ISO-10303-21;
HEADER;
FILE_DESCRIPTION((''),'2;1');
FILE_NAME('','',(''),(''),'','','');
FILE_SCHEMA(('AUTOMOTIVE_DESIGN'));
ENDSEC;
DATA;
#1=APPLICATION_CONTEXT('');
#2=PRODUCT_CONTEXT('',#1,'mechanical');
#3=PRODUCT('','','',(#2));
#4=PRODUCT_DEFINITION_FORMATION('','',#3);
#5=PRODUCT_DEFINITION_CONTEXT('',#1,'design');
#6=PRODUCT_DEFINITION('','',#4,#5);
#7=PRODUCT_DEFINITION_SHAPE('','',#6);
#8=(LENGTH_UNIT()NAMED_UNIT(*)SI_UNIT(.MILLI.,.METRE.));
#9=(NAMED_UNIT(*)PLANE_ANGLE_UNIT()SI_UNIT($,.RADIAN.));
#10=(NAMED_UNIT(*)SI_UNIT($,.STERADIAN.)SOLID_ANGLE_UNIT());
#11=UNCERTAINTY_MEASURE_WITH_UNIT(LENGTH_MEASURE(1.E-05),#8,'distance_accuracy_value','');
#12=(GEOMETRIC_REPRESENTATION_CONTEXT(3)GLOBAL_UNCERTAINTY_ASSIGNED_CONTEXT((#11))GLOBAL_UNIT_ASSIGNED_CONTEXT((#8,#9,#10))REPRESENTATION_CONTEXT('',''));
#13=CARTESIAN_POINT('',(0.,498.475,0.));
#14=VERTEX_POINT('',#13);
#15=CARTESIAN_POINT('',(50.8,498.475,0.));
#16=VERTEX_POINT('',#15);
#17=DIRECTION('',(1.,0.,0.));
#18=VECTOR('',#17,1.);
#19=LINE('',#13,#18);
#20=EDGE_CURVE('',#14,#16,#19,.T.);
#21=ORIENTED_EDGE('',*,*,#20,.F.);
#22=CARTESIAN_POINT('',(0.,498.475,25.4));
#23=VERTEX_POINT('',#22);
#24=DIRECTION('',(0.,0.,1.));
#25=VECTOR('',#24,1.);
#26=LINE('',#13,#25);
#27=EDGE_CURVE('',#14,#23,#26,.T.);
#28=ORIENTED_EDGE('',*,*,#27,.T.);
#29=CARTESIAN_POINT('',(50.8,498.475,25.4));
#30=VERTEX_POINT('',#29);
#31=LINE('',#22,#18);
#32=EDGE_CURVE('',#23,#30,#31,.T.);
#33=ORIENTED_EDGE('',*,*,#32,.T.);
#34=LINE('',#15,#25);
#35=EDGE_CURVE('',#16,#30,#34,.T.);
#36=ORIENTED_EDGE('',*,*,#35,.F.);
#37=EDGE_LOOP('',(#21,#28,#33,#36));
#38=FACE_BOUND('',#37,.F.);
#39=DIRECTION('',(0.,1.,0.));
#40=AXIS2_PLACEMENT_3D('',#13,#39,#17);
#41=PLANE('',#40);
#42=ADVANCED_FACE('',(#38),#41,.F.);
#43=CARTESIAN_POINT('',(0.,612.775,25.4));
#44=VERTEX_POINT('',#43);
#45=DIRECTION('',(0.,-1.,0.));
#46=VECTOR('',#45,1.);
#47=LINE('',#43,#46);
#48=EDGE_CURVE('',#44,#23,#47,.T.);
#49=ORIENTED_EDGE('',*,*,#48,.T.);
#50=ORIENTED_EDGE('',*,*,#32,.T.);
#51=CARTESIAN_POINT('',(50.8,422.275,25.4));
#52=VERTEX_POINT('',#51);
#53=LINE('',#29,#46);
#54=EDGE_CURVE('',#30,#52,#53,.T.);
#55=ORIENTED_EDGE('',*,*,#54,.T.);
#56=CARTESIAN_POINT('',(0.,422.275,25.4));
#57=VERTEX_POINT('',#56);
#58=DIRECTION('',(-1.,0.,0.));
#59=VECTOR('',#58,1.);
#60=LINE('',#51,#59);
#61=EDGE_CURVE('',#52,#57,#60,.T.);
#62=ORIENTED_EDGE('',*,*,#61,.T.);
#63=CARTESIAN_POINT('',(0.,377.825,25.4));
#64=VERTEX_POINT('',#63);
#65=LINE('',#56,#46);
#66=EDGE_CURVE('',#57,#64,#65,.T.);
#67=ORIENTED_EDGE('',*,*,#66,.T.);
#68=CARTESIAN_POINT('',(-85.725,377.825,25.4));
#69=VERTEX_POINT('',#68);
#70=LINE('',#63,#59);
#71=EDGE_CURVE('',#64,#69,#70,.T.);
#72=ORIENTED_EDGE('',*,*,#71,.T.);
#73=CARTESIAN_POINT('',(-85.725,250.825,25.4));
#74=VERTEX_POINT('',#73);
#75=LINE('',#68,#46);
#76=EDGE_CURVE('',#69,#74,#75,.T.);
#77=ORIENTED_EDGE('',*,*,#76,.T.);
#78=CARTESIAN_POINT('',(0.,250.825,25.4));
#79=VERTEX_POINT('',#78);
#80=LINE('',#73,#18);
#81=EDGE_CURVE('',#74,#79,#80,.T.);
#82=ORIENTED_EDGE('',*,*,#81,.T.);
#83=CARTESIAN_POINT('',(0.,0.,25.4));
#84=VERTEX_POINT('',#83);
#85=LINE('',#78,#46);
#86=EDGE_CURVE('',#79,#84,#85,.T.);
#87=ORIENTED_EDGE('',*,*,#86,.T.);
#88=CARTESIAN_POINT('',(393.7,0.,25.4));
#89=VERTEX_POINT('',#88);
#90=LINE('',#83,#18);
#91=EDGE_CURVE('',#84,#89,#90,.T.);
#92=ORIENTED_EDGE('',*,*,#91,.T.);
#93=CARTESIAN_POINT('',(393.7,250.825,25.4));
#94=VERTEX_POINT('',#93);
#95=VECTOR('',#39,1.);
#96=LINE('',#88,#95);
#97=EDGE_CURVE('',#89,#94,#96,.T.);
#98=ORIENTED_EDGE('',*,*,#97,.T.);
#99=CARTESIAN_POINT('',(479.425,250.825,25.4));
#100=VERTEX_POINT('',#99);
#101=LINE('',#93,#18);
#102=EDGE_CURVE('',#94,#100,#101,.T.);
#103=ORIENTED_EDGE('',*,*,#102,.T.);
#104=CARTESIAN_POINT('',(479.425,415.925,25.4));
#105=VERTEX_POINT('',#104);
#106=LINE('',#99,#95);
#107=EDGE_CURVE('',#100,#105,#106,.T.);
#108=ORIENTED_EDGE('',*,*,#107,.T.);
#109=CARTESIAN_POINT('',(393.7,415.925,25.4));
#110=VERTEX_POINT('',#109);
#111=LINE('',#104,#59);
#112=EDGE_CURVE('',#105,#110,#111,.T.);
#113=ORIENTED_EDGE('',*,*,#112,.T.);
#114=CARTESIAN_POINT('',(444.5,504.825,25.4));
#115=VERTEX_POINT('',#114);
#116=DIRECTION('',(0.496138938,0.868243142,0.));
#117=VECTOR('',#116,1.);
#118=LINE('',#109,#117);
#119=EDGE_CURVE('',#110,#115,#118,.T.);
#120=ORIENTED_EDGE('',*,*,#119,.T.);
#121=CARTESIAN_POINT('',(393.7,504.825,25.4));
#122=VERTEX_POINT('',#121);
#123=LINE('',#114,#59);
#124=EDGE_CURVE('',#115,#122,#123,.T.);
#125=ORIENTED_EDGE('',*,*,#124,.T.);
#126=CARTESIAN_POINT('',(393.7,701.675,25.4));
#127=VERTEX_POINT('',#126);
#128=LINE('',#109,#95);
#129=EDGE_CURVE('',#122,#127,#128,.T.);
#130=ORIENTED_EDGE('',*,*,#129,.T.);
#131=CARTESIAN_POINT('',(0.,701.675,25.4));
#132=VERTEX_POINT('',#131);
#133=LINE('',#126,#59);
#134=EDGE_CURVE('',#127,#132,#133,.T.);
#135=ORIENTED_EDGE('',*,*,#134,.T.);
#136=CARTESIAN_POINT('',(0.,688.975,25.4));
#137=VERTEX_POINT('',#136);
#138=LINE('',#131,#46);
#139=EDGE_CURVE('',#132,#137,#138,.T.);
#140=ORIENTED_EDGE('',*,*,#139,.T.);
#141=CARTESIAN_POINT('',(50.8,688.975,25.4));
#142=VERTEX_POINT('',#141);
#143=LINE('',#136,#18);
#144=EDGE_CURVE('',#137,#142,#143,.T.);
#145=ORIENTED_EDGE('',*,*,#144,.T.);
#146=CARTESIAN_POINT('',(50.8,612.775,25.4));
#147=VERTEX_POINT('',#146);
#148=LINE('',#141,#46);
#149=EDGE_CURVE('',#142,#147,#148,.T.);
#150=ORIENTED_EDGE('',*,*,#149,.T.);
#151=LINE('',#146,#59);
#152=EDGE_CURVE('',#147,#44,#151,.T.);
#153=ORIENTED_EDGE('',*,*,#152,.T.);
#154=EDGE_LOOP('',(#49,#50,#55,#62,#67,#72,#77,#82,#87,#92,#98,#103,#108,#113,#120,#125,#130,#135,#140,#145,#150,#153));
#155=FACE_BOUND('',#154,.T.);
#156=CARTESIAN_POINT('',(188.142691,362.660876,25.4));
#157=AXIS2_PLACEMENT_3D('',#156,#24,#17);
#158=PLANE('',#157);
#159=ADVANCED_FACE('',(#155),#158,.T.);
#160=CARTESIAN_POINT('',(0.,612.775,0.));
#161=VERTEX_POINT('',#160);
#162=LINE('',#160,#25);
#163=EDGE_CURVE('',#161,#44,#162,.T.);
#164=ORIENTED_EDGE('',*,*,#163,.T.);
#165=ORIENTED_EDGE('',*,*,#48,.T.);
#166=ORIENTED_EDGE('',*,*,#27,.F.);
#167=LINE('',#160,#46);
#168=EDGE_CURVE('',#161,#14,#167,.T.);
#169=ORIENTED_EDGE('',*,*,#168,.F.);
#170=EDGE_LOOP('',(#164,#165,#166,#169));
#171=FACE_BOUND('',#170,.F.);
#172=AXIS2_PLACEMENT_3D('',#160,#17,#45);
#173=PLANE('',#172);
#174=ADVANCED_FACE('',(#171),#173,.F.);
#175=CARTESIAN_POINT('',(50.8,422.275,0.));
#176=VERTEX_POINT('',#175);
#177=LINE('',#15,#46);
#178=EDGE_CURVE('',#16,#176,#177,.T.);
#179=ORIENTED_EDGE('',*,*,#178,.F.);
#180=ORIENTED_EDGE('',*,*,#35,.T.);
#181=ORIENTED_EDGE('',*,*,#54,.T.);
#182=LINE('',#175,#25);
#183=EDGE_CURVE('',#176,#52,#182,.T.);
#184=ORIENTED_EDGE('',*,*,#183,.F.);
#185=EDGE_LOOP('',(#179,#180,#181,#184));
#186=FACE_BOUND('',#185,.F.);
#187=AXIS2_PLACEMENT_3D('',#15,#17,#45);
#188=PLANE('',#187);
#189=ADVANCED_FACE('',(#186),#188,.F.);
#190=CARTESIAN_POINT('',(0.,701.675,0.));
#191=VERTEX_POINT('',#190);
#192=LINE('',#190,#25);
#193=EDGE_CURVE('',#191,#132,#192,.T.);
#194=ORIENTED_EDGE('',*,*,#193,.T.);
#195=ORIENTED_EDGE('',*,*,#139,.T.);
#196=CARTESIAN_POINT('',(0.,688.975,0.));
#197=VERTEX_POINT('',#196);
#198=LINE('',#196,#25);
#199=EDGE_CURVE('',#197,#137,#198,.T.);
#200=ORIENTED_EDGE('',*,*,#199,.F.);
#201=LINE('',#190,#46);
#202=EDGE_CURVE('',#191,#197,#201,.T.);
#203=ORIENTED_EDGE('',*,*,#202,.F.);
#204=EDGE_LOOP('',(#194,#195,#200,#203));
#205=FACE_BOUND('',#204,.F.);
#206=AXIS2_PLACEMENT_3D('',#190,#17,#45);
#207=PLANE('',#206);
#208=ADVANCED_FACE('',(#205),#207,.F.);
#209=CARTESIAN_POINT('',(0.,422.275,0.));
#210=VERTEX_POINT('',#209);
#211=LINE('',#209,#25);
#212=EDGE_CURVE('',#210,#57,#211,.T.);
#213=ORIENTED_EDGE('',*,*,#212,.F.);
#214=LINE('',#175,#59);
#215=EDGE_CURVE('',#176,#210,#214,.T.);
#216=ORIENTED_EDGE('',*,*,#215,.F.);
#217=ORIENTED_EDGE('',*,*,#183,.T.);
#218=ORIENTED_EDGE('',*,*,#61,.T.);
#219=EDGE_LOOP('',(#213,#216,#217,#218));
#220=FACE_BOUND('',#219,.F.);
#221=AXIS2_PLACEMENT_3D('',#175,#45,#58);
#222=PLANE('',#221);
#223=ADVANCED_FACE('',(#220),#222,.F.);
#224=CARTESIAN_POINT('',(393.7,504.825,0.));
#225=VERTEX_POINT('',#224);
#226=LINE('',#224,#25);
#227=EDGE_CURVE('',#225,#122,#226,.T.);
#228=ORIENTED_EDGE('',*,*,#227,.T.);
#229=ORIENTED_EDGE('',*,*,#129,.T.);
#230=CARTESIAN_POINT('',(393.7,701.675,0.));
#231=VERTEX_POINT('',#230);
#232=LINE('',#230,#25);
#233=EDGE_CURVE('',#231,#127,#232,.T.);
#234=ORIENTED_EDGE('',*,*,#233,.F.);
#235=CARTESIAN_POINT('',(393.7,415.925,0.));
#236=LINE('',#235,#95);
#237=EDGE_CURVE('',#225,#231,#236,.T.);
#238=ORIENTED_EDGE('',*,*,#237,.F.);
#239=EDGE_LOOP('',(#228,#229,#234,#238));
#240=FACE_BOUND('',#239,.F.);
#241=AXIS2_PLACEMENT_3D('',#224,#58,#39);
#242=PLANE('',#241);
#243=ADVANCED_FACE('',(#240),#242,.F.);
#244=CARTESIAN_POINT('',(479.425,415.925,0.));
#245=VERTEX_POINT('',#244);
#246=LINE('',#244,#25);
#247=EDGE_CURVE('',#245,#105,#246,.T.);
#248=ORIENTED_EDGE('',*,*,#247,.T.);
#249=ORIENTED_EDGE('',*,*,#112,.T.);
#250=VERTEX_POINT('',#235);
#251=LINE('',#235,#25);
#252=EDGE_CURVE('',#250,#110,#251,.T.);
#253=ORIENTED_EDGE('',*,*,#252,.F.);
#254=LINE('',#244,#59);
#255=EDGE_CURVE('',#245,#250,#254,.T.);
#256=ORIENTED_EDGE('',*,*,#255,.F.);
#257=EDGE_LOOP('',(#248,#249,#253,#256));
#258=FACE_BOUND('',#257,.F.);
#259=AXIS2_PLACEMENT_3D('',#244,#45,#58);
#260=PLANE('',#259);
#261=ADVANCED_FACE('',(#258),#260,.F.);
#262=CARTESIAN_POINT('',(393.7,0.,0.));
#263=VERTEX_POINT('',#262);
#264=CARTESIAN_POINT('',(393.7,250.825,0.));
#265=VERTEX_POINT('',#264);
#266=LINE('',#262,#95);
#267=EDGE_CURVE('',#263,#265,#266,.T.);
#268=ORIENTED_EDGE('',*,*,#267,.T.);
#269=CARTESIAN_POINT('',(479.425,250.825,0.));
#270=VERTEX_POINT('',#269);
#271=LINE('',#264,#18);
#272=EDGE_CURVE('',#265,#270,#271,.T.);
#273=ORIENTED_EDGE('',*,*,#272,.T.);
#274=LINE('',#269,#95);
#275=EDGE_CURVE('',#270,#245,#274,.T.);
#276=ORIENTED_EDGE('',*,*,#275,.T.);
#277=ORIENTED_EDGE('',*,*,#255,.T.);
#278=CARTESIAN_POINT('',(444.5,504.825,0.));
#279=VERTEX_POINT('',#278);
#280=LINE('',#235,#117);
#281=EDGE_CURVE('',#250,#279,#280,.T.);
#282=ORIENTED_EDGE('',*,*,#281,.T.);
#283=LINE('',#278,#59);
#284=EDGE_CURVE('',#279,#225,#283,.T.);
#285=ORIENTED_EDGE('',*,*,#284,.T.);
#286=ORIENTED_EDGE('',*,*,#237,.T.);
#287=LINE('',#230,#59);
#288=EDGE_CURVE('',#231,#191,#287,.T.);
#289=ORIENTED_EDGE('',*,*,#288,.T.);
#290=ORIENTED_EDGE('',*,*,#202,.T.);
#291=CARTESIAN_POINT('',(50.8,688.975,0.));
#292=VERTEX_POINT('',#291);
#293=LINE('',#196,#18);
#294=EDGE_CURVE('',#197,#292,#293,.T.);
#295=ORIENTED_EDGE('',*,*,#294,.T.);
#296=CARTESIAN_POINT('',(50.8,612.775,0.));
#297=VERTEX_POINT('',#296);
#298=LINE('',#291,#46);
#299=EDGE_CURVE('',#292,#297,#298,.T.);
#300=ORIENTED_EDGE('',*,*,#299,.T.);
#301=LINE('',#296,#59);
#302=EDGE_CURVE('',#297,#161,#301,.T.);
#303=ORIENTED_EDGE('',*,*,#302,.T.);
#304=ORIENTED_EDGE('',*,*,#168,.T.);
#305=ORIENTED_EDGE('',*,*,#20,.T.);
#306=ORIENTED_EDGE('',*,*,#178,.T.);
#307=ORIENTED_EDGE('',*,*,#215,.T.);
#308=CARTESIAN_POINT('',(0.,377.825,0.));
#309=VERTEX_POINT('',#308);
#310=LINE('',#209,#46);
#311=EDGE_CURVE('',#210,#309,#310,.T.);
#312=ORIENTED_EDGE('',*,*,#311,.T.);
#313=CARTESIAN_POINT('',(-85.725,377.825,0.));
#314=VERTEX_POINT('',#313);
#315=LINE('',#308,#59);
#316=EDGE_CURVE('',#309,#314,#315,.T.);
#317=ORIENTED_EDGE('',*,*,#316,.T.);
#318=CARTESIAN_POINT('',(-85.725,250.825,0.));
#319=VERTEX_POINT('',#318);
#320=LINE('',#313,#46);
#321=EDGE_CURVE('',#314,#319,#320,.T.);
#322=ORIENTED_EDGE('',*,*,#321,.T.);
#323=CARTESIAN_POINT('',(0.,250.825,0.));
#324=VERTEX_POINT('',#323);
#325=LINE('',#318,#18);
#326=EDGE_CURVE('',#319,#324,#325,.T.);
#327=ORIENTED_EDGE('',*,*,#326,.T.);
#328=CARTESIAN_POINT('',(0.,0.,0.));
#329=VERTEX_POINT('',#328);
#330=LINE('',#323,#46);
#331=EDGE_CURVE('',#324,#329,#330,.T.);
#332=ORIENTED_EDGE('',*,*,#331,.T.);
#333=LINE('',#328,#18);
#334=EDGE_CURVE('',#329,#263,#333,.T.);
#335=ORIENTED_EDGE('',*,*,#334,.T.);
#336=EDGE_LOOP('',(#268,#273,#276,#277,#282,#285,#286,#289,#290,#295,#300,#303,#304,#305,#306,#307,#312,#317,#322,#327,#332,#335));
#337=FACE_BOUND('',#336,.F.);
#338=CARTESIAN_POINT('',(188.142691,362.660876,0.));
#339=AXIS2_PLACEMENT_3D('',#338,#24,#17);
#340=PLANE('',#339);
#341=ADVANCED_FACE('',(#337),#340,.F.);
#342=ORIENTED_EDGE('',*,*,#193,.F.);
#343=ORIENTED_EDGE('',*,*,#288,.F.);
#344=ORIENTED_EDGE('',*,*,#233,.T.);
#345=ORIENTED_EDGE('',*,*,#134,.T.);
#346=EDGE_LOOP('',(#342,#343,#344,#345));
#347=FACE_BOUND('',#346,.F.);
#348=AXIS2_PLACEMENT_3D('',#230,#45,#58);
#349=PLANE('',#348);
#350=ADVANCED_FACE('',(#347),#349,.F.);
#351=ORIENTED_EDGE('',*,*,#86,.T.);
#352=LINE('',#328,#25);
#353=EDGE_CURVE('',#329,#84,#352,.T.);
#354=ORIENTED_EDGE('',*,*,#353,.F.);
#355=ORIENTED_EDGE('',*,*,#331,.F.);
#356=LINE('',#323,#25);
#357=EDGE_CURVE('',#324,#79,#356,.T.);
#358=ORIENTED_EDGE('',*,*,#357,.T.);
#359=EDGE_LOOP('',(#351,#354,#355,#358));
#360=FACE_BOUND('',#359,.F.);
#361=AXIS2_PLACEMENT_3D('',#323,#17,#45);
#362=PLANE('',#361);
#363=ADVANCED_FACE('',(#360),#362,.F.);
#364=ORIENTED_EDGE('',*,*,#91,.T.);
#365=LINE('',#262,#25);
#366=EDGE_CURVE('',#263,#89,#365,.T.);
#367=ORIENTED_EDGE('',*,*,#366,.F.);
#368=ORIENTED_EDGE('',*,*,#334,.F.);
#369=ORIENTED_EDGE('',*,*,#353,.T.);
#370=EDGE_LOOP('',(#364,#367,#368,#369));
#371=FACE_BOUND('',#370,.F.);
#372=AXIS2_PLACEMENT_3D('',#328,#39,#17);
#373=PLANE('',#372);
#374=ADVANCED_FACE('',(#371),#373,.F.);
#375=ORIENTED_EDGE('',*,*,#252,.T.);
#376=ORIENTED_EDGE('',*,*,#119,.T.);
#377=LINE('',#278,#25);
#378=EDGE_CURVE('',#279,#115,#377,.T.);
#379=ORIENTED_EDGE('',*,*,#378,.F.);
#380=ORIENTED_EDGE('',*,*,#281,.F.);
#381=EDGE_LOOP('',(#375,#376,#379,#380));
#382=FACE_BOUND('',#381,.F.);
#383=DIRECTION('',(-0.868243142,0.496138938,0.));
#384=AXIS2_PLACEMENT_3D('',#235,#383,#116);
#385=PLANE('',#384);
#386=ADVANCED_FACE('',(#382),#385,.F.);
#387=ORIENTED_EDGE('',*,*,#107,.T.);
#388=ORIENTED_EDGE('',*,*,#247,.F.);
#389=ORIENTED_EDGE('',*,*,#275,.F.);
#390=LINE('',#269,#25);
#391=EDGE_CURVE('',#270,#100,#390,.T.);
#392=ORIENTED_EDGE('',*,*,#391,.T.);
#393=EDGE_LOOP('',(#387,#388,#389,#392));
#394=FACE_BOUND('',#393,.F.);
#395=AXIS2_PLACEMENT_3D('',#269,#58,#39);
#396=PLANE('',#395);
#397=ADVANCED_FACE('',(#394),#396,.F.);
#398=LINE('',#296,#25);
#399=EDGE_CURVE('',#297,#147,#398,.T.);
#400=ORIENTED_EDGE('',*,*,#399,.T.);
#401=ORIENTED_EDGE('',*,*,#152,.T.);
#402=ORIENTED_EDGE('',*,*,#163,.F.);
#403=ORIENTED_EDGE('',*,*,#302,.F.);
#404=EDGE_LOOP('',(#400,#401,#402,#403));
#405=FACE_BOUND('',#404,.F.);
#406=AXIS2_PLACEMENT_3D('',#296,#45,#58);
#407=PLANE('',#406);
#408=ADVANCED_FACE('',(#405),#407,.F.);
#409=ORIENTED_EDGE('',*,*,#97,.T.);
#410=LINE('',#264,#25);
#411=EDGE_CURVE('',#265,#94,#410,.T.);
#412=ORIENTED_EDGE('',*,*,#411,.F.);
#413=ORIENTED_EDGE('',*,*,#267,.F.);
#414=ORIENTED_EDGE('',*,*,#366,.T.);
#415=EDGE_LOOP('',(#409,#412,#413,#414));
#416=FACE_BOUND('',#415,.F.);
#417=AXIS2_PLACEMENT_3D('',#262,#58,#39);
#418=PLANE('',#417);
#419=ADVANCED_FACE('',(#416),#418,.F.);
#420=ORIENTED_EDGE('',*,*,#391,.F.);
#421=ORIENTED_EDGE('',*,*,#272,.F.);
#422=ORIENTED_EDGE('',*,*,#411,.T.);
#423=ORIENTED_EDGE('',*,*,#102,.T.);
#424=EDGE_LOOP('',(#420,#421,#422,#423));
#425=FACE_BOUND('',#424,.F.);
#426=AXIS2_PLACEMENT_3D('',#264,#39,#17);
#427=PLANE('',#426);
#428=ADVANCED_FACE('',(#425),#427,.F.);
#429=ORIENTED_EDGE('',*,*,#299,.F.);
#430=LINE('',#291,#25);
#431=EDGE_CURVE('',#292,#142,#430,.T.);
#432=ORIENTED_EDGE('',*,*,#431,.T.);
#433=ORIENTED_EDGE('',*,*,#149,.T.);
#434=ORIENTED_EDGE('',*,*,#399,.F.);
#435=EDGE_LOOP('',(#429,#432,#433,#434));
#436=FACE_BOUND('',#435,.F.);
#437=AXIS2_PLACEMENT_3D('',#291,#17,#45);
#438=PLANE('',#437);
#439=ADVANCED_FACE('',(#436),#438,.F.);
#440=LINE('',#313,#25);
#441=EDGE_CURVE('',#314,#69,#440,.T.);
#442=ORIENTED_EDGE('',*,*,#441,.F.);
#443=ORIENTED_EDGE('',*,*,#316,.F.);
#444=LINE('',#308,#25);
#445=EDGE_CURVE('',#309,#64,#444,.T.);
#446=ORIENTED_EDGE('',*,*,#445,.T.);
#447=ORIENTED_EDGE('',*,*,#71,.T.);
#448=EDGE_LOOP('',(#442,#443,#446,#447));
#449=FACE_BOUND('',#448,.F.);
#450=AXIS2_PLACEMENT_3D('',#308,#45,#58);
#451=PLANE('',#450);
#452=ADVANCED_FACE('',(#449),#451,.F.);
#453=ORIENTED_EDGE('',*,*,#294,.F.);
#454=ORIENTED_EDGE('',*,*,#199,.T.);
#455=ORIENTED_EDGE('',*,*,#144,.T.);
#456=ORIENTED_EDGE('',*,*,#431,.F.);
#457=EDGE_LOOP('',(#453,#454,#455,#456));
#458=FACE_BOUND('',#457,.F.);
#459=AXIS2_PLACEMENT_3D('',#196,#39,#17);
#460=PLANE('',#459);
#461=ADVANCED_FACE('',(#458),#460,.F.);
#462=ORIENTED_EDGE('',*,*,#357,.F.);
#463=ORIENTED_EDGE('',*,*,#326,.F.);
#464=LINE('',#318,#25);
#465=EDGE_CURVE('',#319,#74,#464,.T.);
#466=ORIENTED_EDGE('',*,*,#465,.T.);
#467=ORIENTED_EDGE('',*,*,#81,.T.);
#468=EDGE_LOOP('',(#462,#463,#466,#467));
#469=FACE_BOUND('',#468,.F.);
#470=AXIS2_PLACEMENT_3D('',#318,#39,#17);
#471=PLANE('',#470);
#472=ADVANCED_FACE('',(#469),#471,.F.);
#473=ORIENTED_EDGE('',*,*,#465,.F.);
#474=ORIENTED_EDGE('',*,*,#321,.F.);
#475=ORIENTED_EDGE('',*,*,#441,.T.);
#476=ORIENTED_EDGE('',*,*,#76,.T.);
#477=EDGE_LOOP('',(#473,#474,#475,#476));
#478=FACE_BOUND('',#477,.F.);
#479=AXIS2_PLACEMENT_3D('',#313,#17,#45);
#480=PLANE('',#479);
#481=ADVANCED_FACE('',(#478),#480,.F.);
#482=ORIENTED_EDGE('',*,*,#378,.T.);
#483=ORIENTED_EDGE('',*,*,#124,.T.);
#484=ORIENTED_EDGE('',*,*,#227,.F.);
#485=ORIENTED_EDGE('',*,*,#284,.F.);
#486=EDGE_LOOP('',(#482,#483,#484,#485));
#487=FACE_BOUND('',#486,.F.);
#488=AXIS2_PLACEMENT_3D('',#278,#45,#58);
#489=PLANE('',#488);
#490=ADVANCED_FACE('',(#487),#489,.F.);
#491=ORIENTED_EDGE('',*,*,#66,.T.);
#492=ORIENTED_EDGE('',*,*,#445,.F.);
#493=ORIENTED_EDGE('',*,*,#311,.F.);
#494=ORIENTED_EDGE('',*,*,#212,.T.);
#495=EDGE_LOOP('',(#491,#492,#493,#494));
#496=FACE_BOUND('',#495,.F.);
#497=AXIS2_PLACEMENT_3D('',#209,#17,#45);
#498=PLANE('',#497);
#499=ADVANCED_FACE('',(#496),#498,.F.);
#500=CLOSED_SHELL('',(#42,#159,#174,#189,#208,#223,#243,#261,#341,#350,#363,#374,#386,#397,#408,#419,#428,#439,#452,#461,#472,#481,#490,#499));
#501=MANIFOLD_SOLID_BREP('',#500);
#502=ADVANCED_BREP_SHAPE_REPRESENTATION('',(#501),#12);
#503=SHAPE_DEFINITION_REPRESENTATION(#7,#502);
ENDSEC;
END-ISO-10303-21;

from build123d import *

# Parameters (mm, degrees)
F1_DEPTH = 25.4


with BuildPart() as f1:
    # F0 (on Top) → F1 (new body)
    with BuildSketch(Plane.XY):
        Polygon((0, 250.825), (0, 0), (393.7, 0), (393.7, 250.825), (479.425, 250.825), (479.425, 415.925), (393.7, 415.925), (393.7, 504.825), (393.7, 701.675), (0, 701.675), (0, 688.975), (50.8, 688.975), (50.8, 612.775), (0, 612.775), (0, 498.475), (50.8, 498.475), (50.8, 422.275), (0, 422.275), (0, 377.825), (-85.725, 377.825), (-85.725, 250.825), align=None)
        Polygon((393.7, 504.825), (393.7, 415.925), (444.5, 504.825), align=None)
    extrude(amount=F1_DEPTH)


solid = f1.part
